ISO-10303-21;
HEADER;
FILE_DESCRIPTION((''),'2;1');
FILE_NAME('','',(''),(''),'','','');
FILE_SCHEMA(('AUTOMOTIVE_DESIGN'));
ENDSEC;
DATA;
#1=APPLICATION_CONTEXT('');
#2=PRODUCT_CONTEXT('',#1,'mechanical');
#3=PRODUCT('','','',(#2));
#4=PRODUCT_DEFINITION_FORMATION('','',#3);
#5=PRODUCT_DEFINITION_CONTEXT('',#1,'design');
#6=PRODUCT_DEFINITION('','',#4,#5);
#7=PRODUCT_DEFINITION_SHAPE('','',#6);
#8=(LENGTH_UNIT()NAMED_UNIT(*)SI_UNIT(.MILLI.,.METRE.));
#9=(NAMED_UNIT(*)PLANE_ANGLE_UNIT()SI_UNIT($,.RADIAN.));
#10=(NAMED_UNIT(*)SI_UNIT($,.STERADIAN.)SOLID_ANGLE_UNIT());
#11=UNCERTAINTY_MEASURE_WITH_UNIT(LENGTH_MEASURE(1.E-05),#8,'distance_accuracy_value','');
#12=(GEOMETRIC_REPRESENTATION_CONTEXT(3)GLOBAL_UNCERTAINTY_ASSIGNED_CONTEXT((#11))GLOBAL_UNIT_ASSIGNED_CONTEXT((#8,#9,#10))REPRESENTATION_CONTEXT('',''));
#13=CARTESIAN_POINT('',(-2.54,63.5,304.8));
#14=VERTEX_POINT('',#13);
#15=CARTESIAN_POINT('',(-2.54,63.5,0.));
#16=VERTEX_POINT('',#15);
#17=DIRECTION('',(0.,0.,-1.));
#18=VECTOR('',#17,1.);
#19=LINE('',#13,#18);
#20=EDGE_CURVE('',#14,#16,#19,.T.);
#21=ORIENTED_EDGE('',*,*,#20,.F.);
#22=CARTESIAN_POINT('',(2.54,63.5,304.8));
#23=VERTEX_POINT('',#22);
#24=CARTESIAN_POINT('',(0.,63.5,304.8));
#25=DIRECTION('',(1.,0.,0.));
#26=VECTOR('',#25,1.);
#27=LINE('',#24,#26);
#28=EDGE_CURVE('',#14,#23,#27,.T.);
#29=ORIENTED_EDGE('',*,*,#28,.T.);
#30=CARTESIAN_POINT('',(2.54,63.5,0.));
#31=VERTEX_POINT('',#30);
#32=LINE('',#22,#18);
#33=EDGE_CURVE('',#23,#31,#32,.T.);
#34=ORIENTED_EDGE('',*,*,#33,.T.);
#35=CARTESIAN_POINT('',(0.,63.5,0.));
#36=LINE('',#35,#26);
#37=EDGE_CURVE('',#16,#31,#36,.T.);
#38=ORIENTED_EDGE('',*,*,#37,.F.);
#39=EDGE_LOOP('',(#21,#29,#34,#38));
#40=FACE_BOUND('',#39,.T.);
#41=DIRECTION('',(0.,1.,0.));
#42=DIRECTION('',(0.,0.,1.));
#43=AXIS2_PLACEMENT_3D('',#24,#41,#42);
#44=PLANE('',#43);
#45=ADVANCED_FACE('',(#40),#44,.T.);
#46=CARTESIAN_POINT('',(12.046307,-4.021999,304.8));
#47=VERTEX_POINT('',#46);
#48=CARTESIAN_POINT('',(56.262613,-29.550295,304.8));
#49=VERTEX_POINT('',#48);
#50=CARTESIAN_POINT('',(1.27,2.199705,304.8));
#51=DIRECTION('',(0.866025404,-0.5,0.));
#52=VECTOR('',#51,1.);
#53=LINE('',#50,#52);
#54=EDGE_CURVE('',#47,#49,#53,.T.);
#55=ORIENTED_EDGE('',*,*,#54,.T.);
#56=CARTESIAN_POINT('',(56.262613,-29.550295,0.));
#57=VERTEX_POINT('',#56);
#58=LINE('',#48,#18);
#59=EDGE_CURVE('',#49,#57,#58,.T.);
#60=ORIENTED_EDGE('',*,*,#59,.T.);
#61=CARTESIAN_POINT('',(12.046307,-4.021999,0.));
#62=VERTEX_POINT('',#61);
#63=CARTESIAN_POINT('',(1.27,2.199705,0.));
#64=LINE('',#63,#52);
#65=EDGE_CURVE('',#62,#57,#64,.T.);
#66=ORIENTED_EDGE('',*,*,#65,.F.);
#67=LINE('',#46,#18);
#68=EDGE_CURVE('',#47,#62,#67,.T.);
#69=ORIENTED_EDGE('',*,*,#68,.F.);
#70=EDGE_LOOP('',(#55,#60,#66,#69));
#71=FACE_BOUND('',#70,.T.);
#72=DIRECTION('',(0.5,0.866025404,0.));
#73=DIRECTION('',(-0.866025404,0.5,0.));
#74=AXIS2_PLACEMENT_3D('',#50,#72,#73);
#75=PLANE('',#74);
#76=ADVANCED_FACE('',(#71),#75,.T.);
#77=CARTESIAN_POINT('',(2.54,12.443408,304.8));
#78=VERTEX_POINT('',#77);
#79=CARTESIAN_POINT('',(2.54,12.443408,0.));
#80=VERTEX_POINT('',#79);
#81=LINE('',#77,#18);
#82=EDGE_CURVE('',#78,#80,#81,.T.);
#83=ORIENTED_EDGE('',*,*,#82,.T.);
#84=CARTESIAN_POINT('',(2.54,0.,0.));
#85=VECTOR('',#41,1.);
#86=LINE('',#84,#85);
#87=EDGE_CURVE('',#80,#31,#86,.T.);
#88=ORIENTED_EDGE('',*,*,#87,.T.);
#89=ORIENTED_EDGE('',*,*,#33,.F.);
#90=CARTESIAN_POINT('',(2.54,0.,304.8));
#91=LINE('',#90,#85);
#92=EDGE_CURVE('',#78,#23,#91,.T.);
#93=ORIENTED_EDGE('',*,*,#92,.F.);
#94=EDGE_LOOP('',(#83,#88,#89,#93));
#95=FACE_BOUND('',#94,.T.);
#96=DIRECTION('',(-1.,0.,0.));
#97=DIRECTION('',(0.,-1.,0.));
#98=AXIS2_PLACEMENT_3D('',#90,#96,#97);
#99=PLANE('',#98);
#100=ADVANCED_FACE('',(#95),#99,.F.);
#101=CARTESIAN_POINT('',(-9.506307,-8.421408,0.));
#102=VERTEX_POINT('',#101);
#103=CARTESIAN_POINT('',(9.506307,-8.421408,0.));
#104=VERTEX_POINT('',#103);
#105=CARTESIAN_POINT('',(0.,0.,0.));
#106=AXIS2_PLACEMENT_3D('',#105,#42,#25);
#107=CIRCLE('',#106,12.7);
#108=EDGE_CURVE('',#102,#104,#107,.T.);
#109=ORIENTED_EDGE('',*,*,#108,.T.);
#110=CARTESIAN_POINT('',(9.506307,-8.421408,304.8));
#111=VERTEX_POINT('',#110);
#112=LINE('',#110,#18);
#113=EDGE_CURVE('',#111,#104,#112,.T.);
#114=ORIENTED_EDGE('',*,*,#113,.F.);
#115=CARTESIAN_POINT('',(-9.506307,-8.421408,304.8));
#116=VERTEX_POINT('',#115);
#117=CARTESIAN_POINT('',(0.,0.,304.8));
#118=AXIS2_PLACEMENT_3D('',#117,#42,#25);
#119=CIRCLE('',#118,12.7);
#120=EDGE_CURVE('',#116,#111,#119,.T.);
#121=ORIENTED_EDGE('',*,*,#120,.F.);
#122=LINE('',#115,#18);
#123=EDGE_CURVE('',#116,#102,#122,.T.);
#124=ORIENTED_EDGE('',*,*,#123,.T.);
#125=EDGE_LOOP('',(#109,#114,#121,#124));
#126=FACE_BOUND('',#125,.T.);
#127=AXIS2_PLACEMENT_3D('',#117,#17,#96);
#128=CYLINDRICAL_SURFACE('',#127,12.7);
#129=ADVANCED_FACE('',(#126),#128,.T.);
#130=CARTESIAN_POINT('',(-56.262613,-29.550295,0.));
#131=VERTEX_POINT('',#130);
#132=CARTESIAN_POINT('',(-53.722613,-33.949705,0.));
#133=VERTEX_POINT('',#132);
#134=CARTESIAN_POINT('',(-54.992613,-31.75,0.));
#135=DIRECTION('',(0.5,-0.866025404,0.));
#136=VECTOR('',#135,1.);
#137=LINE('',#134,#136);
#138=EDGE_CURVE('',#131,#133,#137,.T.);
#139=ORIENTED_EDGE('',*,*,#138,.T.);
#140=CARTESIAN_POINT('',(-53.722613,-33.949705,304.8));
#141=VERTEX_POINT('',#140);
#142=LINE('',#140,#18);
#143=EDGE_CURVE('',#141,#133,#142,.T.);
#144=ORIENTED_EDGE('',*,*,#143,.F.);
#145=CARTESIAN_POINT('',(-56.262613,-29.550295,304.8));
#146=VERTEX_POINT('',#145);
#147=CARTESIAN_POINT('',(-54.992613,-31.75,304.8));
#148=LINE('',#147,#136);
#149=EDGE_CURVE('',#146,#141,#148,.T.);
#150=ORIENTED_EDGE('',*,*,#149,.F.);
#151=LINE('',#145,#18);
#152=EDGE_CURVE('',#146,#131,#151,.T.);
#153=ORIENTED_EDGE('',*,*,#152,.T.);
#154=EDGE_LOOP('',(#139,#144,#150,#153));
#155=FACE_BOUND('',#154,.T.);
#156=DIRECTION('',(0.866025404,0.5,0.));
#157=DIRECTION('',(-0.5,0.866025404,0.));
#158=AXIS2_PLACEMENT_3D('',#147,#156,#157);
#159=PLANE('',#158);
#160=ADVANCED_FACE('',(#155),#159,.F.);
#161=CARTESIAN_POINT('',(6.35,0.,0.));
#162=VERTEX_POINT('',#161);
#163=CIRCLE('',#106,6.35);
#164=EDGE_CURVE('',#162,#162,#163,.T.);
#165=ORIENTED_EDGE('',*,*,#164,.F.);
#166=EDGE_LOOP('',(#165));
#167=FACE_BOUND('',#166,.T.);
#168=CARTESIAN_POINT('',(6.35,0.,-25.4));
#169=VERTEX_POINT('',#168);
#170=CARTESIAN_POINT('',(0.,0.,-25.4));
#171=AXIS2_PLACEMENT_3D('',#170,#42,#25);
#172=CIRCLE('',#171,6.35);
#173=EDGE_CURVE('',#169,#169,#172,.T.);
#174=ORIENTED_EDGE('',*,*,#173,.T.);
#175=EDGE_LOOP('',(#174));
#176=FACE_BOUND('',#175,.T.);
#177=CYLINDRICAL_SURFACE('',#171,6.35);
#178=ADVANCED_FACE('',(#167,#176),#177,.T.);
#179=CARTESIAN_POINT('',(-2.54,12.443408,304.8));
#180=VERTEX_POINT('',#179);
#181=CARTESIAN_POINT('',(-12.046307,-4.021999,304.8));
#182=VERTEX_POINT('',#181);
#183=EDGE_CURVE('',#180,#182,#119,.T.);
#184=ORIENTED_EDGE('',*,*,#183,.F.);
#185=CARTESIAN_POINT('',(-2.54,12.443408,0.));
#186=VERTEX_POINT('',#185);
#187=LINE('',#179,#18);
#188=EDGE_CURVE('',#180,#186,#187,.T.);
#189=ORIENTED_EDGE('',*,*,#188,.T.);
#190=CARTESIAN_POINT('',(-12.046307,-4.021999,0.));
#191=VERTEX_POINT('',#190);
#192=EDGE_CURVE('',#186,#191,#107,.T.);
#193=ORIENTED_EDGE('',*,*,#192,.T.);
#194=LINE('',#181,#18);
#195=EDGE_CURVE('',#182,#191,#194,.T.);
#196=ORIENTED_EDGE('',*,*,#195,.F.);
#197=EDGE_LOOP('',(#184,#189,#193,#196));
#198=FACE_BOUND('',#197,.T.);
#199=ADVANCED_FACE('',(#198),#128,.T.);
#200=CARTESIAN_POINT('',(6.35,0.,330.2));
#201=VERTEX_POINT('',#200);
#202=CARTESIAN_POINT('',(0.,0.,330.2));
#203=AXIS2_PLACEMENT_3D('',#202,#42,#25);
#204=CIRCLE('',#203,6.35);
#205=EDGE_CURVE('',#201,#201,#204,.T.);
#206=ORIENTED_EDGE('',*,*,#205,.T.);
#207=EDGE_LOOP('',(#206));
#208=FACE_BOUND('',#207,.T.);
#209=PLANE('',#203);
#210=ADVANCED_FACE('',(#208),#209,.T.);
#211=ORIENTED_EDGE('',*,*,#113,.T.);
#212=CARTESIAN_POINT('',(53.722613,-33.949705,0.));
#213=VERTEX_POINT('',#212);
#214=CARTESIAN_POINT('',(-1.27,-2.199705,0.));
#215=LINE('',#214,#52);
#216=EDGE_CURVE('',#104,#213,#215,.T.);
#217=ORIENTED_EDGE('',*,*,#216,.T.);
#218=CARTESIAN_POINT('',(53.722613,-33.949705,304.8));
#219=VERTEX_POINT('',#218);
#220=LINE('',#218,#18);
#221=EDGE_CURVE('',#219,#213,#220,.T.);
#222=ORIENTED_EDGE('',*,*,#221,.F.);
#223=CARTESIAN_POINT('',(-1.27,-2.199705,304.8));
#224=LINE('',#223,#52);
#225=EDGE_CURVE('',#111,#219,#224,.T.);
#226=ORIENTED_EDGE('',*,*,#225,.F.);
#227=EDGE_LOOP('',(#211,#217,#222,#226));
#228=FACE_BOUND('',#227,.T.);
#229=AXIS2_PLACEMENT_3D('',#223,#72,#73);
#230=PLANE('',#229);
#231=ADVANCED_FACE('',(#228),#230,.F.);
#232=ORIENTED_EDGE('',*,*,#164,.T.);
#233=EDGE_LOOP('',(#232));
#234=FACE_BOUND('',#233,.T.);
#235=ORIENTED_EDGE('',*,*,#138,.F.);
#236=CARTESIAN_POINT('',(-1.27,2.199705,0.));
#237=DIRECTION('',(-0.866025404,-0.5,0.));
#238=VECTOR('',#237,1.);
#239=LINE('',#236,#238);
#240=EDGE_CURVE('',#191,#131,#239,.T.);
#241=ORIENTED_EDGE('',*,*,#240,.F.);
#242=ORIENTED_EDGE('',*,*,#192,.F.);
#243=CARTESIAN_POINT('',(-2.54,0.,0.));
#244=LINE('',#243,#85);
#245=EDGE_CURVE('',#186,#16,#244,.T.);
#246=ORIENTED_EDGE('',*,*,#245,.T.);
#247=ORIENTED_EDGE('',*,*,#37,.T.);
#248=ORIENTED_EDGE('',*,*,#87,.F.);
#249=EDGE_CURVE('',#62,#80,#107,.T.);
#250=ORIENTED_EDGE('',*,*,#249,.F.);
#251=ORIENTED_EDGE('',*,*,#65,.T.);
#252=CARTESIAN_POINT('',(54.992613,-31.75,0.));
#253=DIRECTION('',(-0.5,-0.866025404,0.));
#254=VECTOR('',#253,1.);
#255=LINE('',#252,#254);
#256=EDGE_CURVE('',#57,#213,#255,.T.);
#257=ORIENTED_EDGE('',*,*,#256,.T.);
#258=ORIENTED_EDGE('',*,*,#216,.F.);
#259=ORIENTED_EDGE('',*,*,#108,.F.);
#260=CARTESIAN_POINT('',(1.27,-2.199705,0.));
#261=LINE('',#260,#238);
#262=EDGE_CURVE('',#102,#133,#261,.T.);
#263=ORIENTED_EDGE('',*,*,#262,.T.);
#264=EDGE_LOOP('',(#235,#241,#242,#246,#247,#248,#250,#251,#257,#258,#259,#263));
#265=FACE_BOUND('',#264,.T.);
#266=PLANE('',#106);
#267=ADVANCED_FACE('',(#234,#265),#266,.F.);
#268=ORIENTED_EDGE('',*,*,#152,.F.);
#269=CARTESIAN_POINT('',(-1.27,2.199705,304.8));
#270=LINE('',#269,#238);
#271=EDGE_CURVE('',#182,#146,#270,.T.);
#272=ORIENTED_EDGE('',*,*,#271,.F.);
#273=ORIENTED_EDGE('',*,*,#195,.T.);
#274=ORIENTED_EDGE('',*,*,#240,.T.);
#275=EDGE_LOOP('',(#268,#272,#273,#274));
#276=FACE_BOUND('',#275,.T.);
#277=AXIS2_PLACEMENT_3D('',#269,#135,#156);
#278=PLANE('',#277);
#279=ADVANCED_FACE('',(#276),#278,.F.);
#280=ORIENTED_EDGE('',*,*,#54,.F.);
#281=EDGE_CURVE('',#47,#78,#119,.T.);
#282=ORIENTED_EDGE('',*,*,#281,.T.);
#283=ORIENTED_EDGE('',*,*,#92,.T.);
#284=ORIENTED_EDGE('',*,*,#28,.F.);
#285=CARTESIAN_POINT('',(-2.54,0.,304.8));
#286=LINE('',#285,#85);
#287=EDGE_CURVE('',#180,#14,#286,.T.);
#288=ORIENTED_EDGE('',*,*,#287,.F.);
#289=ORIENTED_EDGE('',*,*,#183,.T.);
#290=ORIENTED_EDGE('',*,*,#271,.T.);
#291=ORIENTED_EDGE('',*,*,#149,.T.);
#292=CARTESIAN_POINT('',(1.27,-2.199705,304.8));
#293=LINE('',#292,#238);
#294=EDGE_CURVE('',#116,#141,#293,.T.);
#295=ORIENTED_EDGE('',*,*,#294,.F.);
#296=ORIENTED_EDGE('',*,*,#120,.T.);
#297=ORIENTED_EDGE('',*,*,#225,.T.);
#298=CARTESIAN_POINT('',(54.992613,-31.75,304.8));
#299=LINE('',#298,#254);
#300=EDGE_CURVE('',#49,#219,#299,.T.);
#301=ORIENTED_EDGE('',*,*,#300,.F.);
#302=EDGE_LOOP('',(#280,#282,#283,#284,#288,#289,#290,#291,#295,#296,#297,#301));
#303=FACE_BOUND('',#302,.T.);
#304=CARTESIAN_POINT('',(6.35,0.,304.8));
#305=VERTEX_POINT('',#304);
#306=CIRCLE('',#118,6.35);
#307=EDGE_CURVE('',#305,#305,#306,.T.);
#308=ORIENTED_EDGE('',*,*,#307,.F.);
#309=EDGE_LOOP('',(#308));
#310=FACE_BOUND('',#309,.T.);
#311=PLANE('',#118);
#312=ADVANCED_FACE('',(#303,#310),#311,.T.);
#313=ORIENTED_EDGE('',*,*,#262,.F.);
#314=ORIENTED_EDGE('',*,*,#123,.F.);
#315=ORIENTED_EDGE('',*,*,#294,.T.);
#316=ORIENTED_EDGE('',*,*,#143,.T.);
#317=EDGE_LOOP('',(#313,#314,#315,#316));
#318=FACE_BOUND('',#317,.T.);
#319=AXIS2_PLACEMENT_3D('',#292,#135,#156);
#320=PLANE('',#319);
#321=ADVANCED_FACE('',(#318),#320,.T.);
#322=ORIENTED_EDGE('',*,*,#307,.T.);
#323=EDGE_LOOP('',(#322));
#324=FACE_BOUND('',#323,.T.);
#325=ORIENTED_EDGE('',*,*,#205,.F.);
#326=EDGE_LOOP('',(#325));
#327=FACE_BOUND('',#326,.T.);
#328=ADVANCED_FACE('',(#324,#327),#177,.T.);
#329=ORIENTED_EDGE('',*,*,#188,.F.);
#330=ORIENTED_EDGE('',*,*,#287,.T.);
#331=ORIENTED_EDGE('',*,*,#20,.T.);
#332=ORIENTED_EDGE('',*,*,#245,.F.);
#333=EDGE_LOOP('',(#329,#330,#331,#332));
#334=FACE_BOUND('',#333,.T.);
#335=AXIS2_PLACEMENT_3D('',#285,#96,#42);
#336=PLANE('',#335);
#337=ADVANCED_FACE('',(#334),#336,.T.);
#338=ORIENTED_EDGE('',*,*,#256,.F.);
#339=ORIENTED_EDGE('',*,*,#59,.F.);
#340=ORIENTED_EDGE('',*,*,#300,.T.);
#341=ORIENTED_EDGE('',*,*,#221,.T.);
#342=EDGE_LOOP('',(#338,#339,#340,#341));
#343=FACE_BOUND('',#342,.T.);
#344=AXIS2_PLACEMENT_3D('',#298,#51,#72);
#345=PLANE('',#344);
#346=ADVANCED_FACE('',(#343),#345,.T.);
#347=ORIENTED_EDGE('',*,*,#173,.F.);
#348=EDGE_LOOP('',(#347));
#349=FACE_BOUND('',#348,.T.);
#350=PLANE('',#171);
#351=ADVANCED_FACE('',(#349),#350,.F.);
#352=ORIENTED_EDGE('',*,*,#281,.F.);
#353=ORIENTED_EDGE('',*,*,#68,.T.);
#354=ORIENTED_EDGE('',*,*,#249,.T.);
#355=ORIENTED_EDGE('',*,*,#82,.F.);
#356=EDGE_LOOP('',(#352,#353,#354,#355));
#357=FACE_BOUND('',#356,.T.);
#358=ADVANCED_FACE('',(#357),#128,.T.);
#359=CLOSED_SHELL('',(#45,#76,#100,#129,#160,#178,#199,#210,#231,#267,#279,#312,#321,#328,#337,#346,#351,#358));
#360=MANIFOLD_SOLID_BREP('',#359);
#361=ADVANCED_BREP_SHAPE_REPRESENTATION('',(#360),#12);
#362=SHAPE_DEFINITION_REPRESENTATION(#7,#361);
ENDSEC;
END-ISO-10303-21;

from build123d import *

# Parameters (mm, degrees)
BOSS_EXTRUDE1_DEPTH      = 304.8
BOSS_EXTRUDE2_DEPTH      = 25.4
BOSS_EXTRUDE2_DEPTH_BACK = 330.2
SKETCH2_R                = 6.35


with BuildPart() as part:
    # Sketch1 → Boss-Extrude1 (new body)
    with BuildSketch(Plane.XY):
        with BuildLine():
            Line((-2.54, 1.466469684), (-2.54, 12.443407893))
            ThreePointArc((-2.54, 12.443407893), (-10.998522628, 6.35), (-12.046307345, -4.021999421))
            Line((-12.046307345, -4.021999421), (-2.54, 1.466469684))
        make_face()
        with BuildLine():
            ThreePointArc((-9.506307345, -8.421408472), (0, -12.7), (9.506307345, -8.421408472))
            Line((9.506307345, -8.421408472), (0, -2.932939367))
            Line((0, -2.932939367), (-9.506307345, -8.421408472))
        make_face()
        with BuildLine():
            ThreePointArc((12.7, 0), (9.837377699, 8.032185257), (2.54, 12.443407893))
            Line((2.54, 12.443407893), (2.54, 1.466469684))
            Line((2.54, 1.466469684), (12.046307345, -4.021999421))
            ThreePointArc((12.046307345, -4.021999421), (12.535511623, -2.037387631), (12.7, 0))
        make_face()
        with BuildLine():
            Line((10.998522628, -6.35), (0, 0))
            Line((0, 0), (-10.998522628, -6.35))
            ThreePointArc((-10.998522628, -6.35), (-10.304595884, -7.423294665), (-9.506307345, -8.421408472))
            Line((-9.506307345, -8.421408472), (0, -2.932939367))
            Line((0, -2.932939367), (9.506307345, -8.421408472))
            ThreePointArc((9.506307345, -8.421408472), (10.304595884, -7.423294665), (10.998522628, -6.35))
        make_face()
        with BuildLine():
            Line((-10.998522628, -6.35), (0, 0))
            Line((0, 0), (0, 12.7))
            ThreePointArc((0, 12.7), (-1.276463817, 12.635689143), (-2.54, 12.443407893))
            Line((-2.54, 12.443407893), (-2.54, 1.466469684))
            Line((-2.54, 1.466469684), (-12.046307345, -4.021999421))
            ThreePointArc((-12.046307345, -4.021999421), (-11.581059701, -5.212394479), (-10.998522628, -6.35))
        make_face()
        with BuildLine():
            Line((0, 12.7), (0, 0))
            Line((0, 0), (10.998522628, -6.35))
            ThreePointArc((10.998522628, -6.35), (11.581059701, -5.212394479), (12.046307345, -4.021999421))
            Line((12.046307345, -4.021999421), (2.54, 1.466469684))
            Line((2.54, 1.466469684), (2.54, 12.443407893))
            ThreePointArc((2.54, 12.443407893), (1.276463817, 12.635689143), (0, 12.7))
        make_face()
        with BuildLine():
            Line((0, 63.5), (0, 12.7))
            ThreePointArc((0, 12.7), (1.276463817, 12.635689143), (2.54, 12.443407893))
            Line((2.54, 12.443407893), (2.54, 63.5))
            Line((2.54, 63.5), (0, 63.5))
        make_face()
        with BuildLine():
            ThreePointArc((-2.54, 12.443407893), (-1.276463817, 12.635689143), (0, 12.7))
            Line((0, 12.7), (0, 63.5))
            Line((0, 63.5), (-2.54, 63.5))
            Line((-2.54, 63.5), (-2.54, 12.443407893))
        make_face()
        with BuildLine():
            Line((-54.99261314, -31.75), (-10.998522628, -6.35))
            ThreePointArc((-10.998522628, -6.35), (-11.581059701, -5.212394479), (-12.046307345, -4.021999421))
            Line((-12.046307345, -4.021999421), (-56.26261314, -29.550295474))
            Line((-56.26261314, -29.550295474), (-54.99261314, -31.75))
        make_face()
        with BuildLine():
            ThreePointArc((-9.506307345, -8.421408472), (-10.304595884, -7.423294665), (-10.998522628, -6.35))
            Line((-10.998522628, -6.35), (-54.99261314, -31.75))
            Line((-54.99261314, -31.75), (-53.72261314, -33.949704526))
            Line((-53.72261314, -33.949704526), (-9.506307345, -8.421408472))
        make_face()
        with BuildLine():
            Line((54.99261314, -31.75), (10.998522628, -6.35))
            ThreePointArc((10.998522628, -6.35), (10.304595884, -7.423294665), (9.506307345, -8.421408472))
            Line((9.506307345, -8.421408472), (53.72261314, -33.949704526))
            Line((53.72261314, -33.949704526), (54.99261314, -31.75))
        make_face()
        with BuildLine():
            ThreePointArc((12.046307345, -4.021999421), (11.581059701, -5.212394479), (10.998522628, -6.35))
            Line((10.998522628, -6.35), (54.99261314, -31.75))
            Line((54.99261314, -31.75), (56.26261314, -29.550295474))
            Line((56.26261314, -29.550295474), (12.046307345, -4.021999421))
        make_face()
    extrude(amount=BOSS_EXTRUDE1_DEPTH)

    # Sketch2 → Boss-Extrude2 (add, two sides: drawn at the far end of the back side and taken through both)
    with BuildSketch(Plane.XY.offset(304.8).offset(-BOSS_EXTRUDE2_DEPTH_BACK)):
        Circle(SKETCH2_R)
    extrude(amount=BOSS_EXTRUDE2_DEPTH + BOSS_EXTRUDE2_DEPTH_BACK)


solid = part.part
